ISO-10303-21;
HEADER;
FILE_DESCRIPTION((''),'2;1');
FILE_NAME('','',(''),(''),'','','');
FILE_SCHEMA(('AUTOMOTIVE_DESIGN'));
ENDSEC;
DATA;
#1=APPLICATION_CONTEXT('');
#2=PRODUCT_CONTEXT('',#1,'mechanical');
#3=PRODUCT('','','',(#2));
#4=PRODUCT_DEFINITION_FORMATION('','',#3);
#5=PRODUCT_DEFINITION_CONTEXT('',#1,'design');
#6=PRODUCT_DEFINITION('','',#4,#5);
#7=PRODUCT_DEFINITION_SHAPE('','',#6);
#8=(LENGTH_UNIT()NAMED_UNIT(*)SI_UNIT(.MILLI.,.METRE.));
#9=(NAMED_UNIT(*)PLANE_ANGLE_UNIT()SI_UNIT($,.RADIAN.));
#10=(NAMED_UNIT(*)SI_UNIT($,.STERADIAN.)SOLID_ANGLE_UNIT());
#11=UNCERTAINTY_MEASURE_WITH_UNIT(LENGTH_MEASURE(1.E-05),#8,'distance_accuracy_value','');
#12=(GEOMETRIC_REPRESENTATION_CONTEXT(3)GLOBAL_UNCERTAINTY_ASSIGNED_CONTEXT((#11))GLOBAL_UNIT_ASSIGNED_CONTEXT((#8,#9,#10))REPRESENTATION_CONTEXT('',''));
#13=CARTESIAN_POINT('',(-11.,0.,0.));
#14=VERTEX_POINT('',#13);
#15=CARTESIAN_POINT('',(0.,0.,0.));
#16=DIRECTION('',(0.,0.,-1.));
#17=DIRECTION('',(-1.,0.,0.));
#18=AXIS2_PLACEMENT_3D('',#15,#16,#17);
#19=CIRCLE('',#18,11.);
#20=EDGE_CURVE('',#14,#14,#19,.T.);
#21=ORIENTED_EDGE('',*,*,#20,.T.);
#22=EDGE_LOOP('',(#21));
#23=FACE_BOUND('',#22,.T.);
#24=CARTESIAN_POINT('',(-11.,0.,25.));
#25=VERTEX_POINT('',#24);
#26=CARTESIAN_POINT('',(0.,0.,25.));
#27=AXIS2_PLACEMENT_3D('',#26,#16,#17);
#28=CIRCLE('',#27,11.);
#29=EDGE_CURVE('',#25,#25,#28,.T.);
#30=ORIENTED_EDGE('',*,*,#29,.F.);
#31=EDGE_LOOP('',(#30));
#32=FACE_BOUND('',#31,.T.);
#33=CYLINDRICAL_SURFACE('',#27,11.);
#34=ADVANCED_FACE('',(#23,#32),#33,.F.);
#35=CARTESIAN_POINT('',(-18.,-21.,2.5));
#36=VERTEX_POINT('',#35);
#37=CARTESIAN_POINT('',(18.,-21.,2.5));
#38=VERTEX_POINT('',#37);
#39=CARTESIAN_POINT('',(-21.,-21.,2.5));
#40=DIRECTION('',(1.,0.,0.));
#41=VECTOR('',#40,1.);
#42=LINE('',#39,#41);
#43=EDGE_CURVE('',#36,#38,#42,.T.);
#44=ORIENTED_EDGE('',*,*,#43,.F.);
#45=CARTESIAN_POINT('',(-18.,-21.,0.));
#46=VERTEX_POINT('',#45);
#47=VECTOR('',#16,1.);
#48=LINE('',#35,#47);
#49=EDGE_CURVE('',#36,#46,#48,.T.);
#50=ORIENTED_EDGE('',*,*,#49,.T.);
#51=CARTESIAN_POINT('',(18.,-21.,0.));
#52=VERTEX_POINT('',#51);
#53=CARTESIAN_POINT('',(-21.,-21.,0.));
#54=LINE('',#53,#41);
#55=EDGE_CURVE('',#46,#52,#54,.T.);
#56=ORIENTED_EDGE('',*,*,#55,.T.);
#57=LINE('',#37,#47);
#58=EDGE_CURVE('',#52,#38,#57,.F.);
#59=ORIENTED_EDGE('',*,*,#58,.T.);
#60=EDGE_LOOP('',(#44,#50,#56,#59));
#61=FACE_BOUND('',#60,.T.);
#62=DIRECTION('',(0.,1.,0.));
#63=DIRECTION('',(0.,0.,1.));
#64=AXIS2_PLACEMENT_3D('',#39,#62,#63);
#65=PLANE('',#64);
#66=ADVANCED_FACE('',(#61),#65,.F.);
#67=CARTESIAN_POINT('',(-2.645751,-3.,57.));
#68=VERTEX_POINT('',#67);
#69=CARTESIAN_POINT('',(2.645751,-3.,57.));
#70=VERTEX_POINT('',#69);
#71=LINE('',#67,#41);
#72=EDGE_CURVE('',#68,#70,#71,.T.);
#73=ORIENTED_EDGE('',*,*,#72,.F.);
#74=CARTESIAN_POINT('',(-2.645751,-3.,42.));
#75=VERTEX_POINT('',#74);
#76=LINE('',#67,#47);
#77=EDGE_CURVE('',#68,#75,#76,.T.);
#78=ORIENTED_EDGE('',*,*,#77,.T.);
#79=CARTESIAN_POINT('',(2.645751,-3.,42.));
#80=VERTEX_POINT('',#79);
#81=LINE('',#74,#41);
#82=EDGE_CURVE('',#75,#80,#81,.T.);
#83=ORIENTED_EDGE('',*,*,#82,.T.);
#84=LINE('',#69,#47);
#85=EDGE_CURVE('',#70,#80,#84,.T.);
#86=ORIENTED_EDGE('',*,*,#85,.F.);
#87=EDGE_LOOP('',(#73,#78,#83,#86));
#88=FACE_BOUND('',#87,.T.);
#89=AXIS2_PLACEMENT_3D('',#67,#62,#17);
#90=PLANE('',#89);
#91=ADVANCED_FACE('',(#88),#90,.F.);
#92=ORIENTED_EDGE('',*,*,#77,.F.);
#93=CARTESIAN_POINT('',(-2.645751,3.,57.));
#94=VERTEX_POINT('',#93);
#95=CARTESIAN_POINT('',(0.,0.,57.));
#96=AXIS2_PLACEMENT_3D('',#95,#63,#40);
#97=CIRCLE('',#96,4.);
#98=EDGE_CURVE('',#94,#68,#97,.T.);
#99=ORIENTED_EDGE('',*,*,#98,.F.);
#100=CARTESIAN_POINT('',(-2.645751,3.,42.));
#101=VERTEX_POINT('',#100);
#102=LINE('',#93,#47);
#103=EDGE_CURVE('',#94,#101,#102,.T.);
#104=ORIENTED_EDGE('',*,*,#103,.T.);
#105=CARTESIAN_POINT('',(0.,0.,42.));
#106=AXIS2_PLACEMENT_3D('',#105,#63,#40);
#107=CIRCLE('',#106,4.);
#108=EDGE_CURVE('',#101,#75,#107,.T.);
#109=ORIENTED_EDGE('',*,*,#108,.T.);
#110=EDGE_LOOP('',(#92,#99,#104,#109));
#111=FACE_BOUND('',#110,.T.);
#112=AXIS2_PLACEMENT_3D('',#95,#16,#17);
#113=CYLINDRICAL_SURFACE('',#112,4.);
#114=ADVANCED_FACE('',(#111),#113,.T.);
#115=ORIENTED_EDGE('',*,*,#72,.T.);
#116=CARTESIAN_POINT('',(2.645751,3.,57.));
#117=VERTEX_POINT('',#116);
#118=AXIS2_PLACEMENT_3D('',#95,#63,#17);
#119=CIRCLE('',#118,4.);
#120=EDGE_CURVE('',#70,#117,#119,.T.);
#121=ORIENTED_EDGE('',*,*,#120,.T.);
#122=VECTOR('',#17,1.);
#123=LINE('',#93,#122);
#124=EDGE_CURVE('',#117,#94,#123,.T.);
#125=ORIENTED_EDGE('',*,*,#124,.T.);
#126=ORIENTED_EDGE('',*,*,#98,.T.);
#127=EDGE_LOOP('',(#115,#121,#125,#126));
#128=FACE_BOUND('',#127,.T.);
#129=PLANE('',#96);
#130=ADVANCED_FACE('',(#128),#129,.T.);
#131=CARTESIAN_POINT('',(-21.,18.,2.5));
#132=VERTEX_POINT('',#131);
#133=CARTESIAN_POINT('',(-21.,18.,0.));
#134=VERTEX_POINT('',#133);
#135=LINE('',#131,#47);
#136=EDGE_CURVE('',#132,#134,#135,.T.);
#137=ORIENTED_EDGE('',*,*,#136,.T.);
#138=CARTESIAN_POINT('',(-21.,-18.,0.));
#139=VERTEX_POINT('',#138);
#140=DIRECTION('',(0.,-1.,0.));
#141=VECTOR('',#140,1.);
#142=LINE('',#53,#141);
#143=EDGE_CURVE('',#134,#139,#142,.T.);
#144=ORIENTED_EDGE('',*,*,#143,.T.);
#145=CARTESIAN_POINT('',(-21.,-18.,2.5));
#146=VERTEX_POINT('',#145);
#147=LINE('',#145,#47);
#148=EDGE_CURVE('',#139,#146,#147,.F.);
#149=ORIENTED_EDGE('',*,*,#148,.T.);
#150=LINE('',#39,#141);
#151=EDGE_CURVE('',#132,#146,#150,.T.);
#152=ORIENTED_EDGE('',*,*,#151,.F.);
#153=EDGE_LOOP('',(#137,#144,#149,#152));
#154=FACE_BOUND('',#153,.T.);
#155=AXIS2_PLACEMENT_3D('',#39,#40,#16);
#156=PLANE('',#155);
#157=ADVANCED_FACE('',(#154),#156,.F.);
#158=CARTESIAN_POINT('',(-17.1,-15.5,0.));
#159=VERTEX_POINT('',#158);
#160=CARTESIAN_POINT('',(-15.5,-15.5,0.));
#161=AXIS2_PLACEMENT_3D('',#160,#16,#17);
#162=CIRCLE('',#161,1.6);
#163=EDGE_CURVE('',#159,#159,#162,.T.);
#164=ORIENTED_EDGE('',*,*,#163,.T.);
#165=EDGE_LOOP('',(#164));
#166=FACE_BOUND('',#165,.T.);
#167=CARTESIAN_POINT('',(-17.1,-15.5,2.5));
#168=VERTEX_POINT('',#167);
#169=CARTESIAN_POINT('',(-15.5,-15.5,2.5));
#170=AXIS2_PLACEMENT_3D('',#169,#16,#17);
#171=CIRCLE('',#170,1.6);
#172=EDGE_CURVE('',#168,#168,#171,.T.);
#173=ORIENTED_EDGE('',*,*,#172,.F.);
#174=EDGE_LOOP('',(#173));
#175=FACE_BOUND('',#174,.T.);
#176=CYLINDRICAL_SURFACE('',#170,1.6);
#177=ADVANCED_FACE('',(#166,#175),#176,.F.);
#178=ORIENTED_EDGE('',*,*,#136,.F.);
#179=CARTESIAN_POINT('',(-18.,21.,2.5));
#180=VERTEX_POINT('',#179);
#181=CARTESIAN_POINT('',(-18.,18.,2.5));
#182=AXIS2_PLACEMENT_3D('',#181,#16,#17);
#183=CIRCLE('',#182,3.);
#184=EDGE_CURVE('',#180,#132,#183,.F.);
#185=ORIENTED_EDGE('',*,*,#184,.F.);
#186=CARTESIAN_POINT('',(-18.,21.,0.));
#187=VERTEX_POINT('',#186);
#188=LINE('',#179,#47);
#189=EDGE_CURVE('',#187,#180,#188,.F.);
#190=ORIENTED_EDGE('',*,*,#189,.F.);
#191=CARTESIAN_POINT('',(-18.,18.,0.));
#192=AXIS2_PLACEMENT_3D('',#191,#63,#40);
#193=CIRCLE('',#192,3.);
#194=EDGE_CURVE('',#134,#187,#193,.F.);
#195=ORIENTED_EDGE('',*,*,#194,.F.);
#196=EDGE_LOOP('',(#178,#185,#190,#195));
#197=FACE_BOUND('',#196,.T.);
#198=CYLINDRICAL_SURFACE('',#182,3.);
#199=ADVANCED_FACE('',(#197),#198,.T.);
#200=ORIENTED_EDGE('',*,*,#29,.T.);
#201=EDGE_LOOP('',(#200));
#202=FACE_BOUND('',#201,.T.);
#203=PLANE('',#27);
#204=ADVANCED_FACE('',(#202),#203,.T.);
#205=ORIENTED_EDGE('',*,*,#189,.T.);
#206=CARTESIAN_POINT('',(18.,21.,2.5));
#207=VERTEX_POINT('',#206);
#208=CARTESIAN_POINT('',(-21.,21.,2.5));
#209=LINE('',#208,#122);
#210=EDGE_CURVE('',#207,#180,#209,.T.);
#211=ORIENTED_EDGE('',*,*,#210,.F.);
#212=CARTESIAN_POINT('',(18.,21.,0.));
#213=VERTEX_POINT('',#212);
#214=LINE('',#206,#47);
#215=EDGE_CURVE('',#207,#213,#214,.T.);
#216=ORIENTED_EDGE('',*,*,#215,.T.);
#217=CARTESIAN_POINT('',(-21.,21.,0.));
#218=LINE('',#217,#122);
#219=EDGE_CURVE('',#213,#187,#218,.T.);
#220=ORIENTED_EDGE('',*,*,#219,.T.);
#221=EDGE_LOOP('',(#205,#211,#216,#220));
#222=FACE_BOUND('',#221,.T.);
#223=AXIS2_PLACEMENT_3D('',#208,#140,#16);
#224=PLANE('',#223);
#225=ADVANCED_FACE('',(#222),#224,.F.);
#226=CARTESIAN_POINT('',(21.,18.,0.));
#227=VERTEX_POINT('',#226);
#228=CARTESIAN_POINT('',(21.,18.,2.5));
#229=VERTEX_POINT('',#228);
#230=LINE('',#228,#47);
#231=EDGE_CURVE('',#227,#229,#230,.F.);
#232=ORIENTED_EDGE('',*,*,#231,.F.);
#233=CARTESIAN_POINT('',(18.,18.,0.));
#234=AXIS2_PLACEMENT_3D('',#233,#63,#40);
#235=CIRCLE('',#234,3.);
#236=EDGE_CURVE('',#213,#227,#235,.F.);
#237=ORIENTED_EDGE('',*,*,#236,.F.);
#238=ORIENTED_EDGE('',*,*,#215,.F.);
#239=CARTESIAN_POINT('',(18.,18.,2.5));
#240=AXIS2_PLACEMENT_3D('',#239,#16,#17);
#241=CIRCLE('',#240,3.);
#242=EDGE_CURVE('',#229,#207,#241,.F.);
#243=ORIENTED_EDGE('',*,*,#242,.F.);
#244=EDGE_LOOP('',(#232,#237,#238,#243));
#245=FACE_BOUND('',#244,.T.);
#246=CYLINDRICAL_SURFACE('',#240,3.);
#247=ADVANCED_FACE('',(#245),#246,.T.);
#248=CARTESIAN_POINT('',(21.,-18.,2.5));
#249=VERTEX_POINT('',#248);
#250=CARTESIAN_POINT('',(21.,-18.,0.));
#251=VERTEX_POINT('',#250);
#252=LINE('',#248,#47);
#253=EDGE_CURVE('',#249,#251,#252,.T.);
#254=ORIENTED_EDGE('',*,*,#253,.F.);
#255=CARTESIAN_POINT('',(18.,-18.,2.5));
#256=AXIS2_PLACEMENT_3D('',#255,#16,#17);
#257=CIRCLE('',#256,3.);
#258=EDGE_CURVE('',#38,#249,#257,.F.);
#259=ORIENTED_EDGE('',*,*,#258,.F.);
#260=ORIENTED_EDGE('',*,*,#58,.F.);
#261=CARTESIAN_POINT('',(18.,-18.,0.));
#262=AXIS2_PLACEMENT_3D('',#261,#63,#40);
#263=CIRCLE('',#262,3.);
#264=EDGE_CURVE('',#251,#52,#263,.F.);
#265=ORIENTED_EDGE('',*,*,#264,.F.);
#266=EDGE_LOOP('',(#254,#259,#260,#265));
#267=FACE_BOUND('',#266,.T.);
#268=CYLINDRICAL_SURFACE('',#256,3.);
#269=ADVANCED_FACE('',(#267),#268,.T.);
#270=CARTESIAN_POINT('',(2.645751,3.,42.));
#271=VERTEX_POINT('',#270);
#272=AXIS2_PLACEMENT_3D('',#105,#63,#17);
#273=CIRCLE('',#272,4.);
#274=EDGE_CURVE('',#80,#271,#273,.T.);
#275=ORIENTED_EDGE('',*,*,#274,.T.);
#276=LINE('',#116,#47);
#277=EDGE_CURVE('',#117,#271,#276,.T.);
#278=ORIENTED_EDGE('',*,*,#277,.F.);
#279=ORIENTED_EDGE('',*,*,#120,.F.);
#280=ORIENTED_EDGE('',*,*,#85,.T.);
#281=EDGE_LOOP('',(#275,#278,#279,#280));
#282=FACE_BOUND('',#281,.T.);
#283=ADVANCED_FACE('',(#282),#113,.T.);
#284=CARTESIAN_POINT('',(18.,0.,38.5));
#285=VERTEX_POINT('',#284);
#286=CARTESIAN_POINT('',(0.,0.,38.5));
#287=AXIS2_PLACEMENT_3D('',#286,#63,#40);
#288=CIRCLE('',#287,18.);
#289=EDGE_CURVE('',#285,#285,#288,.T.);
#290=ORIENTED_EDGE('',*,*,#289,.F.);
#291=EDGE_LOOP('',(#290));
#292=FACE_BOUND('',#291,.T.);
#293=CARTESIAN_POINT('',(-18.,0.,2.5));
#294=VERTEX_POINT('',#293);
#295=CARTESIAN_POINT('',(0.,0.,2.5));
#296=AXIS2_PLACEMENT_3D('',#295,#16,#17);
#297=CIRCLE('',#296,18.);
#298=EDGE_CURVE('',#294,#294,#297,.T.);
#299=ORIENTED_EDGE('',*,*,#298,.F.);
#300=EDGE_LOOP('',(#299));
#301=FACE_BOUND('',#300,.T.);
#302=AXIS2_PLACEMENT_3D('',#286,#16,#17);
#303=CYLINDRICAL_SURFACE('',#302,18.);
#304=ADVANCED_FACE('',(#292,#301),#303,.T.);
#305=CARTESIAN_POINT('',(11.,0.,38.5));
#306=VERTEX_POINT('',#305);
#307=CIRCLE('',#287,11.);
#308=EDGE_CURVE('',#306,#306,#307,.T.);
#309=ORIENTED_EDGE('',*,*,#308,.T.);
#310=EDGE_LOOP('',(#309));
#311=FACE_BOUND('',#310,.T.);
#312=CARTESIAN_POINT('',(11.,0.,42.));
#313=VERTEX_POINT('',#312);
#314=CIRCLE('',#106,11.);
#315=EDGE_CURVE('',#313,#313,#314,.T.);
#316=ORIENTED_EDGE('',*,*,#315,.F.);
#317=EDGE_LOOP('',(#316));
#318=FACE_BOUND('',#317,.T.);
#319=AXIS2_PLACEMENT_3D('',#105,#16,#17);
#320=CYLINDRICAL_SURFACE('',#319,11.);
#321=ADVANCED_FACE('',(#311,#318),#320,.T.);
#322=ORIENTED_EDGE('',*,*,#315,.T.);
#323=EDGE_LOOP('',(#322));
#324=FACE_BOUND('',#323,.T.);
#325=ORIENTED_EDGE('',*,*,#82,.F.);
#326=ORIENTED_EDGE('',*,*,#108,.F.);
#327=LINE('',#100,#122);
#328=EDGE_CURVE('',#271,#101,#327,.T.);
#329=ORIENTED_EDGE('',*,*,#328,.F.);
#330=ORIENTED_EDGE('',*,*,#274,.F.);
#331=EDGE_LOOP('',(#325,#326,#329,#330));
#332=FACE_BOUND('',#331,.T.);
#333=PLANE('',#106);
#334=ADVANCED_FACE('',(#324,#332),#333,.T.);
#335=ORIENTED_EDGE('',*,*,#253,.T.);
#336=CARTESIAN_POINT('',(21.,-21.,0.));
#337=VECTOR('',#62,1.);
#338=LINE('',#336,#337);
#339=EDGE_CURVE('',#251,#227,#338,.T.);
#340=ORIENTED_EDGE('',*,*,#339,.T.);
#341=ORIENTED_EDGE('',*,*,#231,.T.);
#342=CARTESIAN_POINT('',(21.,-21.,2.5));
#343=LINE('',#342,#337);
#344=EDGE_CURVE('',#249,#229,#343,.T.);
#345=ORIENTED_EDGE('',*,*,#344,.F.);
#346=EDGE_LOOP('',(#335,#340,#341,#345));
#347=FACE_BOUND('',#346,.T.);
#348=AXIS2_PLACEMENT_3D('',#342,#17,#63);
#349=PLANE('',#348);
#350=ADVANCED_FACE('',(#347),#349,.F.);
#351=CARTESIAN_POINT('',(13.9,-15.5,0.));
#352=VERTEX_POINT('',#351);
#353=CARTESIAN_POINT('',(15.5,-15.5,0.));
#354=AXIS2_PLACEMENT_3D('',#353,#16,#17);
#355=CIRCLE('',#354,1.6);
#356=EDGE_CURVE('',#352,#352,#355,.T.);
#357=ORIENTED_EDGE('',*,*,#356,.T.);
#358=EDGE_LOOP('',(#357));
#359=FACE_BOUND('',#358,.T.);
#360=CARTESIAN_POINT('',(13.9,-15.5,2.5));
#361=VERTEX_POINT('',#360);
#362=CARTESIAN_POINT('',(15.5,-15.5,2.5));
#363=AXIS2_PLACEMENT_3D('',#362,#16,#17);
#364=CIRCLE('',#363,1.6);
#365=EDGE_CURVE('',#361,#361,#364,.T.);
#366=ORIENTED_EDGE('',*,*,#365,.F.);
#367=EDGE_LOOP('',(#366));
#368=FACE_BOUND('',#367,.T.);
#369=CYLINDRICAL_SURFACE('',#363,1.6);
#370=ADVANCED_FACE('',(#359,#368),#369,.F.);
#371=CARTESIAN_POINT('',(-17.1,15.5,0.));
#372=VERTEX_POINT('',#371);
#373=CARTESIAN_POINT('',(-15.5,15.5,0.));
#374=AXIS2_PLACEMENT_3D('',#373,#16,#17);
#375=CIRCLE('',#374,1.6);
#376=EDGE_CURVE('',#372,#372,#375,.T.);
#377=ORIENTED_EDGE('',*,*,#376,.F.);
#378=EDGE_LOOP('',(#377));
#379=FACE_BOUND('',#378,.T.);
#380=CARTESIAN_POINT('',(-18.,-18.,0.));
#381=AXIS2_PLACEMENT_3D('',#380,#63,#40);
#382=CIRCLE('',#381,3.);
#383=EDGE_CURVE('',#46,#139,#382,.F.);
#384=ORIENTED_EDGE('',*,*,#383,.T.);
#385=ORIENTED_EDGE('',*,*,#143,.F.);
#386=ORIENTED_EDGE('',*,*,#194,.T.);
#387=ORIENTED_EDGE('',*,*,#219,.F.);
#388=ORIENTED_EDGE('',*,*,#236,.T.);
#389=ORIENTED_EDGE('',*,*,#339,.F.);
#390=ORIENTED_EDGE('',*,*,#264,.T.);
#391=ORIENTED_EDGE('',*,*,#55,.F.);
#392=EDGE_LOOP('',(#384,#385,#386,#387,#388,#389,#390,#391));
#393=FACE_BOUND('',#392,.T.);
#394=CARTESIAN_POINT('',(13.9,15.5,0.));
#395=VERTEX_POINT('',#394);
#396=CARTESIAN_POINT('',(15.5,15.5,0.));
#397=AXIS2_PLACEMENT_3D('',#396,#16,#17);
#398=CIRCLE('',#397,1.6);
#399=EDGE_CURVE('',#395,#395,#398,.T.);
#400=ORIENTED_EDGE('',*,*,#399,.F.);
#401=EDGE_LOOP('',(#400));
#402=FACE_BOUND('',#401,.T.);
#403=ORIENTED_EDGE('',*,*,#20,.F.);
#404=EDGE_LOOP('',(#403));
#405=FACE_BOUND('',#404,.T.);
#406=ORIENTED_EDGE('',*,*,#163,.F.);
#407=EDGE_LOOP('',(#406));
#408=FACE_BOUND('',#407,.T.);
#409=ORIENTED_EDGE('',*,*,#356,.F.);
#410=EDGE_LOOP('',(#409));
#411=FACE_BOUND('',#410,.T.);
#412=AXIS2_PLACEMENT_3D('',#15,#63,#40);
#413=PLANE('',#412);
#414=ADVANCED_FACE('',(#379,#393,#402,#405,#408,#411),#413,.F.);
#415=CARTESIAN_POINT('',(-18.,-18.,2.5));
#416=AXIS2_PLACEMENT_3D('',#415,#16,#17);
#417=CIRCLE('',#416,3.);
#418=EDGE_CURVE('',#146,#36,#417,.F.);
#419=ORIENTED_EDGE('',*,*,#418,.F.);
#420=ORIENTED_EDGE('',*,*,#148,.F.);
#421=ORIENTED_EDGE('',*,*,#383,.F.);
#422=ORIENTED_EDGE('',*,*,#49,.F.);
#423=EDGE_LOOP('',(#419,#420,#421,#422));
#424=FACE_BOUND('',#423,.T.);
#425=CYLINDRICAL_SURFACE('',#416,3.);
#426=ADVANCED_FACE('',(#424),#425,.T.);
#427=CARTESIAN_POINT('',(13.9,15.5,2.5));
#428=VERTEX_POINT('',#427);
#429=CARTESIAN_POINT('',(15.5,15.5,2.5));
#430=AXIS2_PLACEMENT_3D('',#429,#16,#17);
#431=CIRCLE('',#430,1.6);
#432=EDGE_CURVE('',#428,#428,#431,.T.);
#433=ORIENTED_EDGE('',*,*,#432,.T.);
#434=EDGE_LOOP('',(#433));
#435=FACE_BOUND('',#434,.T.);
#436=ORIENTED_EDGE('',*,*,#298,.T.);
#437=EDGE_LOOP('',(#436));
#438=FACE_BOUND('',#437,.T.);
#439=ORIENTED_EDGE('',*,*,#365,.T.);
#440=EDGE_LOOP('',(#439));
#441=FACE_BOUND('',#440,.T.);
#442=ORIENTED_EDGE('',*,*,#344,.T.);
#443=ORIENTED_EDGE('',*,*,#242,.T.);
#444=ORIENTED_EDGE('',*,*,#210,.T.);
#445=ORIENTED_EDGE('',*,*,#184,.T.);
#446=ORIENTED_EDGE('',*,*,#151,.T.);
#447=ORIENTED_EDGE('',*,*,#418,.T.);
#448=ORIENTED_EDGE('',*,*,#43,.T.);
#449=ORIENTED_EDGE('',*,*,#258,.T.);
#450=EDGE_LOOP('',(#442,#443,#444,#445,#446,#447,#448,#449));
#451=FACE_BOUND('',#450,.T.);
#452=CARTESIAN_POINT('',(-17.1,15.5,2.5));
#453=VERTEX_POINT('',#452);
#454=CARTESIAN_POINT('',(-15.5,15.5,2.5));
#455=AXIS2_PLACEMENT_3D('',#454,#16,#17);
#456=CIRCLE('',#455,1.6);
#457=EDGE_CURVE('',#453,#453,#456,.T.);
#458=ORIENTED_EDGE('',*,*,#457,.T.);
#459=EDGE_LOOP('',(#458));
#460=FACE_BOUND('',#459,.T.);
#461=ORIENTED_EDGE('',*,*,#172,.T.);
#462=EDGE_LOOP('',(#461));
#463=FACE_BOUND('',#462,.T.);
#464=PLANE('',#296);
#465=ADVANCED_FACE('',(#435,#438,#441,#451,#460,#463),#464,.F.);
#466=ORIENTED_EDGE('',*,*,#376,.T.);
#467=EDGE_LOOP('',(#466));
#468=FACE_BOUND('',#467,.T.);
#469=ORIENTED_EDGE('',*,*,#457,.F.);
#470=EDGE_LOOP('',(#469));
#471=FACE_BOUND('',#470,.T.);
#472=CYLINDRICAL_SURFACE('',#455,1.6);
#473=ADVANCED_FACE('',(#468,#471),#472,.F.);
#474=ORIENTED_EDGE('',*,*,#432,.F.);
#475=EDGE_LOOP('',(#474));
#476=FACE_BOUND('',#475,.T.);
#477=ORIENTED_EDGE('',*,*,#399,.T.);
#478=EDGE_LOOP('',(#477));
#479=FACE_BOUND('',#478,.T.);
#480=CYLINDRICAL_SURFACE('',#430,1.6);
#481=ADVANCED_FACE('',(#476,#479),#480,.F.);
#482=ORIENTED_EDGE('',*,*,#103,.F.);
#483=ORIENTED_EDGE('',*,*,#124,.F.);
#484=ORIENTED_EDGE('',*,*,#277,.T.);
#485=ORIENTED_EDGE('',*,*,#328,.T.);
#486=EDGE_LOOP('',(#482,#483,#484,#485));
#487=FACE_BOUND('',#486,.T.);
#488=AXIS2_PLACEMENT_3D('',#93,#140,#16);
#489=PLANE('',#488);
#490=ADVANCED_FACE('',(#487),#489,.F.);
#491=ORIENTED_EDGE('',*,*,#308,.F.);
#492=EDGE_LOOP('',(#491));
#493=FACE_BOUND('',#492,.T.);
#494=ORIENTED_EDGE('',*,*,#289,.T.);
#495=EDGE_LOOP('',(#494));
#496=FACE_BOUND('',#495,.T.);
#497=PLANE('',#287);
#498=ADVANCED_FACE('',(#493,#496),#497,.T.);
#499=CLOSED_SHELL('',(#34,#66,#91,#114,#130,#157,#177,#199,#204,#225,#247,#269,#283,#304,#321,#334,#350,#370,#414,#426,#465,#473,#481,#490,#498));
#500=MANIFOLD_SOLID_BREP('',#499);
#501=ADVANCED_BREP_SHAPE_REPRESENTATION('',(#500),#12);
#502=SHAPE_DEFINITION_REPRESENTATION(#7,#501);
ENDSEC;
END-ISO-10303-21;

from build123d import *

# Parameters (mm, degrees)
SKETCH_1_R          = 18
EXTRUDE_1_DEPTH     = 38.5
SKETCH_1_3_W        = 42
SKETCH_1_3_H        = 42
SKETCH_1_3_R        = 18
EXTRUDE_2_DEPTH     = 2.5
FILLET_1_R          = 3
SKETCH_4_R          = 1.6
CUT_EXTRUDE_1_DEPTH = 2.5
SKETCH_5_R          = 11
EXTRUDE_3_DEPTH     = 3.5
EXTRUDE_4_DEPTH     = 15
SKETCH_7_R          = 11
CUT_EXTRUDE_2_DEPTH = 25


with BuildPart() as part:
    # 草图1 → 凸台-拉伸1 (new body)
    with BuildSketch(Plane.XY):
        Circle(SKETCH_1_R)
    extrude(amount=EXTRUDE_1_DEPTH)

    # 草图1<3> → 凸台-拉伸2 (add)
    with BuildSketch(Plane.XY):
        Rectangle(SKETCH_1_3_W, SKETCH_1_3_H)
        Circle(SKETCH_1_3_R, mode=Mode.SUBTRACT)
    extrude(amount=EXTRUDE_2_DEPTH)

    # 圆角1
    fillet_1_edges = [part.edges().sort_by_distance(p)[0] for p in [
        (21, -21, 1.25),
        (-21, -21, 1.25),
        (-21, 21, 1.25),
        (21, 21, 1.25),
    ]]
    fillet(fillet_1_edges, radius=FILLET_1_R)

    # 草图4 → 切除-拉伸1 (cut)
    with BuildSketch(Plane(origin=(0, 0, 0), x_dir=(-1, 0, 0), z_dir=(0, 0, -1))):
        with Locations((-15.5, 15.5)):
            Circle(SKETCH_4_R)
        with Locations((-15.5, -15.5)):
            Circle(SKETCH_4_R)
        with Locations((15.5, -15.5)):
            Circle(SKETCH_4_R)
        with Locations((15.5, 15.5)):
            Circle(SKETCH_4_R)
    extrude(amount=-CUT_EXTRUDE_1_DEPTH, mode=Mode.SUBTRACT)

    # 草图5 → 凸台-拉伸3 (add)
    with BuildSketch(Plane.XY.offset(38.5)):
        Circle(SKETCH_5_R)
    extrude(amount=EXTRUDE_3_DEPTH)

    # 草图6 → 凸台-拉伸4 (add)
    with BuildSketch(Plane.XY.offset(42)):
        with BuildLine():
            Line((-2.645751311, -3), (2.645751311, -3))
            ThreePointArc((2.645751311, -3), (4, 0), (2.645751311, 3))
            Line((2.645751311, 3), (-2.645751311, 3))
            ThreePointArc((-2.645751311, 3), (-4, 0), (-2.645751311, -3))
        make_face()
    extrude(amount=EXTRUDE_4_DEPTH)

    # 草图7 → 切除-拉伸2 (cut)
    with BuildSketch(Plane(origin=(0, 0, 0), x_dir=(-1, 0, 0), z_dir=(0, 0, -1))):
        Circle(SKETCH_7_R)
    extrude(amount=-CUT_EXTRUDE_2_DEPTH, mode=Mode.SUBTRACT)


solid = part.part
